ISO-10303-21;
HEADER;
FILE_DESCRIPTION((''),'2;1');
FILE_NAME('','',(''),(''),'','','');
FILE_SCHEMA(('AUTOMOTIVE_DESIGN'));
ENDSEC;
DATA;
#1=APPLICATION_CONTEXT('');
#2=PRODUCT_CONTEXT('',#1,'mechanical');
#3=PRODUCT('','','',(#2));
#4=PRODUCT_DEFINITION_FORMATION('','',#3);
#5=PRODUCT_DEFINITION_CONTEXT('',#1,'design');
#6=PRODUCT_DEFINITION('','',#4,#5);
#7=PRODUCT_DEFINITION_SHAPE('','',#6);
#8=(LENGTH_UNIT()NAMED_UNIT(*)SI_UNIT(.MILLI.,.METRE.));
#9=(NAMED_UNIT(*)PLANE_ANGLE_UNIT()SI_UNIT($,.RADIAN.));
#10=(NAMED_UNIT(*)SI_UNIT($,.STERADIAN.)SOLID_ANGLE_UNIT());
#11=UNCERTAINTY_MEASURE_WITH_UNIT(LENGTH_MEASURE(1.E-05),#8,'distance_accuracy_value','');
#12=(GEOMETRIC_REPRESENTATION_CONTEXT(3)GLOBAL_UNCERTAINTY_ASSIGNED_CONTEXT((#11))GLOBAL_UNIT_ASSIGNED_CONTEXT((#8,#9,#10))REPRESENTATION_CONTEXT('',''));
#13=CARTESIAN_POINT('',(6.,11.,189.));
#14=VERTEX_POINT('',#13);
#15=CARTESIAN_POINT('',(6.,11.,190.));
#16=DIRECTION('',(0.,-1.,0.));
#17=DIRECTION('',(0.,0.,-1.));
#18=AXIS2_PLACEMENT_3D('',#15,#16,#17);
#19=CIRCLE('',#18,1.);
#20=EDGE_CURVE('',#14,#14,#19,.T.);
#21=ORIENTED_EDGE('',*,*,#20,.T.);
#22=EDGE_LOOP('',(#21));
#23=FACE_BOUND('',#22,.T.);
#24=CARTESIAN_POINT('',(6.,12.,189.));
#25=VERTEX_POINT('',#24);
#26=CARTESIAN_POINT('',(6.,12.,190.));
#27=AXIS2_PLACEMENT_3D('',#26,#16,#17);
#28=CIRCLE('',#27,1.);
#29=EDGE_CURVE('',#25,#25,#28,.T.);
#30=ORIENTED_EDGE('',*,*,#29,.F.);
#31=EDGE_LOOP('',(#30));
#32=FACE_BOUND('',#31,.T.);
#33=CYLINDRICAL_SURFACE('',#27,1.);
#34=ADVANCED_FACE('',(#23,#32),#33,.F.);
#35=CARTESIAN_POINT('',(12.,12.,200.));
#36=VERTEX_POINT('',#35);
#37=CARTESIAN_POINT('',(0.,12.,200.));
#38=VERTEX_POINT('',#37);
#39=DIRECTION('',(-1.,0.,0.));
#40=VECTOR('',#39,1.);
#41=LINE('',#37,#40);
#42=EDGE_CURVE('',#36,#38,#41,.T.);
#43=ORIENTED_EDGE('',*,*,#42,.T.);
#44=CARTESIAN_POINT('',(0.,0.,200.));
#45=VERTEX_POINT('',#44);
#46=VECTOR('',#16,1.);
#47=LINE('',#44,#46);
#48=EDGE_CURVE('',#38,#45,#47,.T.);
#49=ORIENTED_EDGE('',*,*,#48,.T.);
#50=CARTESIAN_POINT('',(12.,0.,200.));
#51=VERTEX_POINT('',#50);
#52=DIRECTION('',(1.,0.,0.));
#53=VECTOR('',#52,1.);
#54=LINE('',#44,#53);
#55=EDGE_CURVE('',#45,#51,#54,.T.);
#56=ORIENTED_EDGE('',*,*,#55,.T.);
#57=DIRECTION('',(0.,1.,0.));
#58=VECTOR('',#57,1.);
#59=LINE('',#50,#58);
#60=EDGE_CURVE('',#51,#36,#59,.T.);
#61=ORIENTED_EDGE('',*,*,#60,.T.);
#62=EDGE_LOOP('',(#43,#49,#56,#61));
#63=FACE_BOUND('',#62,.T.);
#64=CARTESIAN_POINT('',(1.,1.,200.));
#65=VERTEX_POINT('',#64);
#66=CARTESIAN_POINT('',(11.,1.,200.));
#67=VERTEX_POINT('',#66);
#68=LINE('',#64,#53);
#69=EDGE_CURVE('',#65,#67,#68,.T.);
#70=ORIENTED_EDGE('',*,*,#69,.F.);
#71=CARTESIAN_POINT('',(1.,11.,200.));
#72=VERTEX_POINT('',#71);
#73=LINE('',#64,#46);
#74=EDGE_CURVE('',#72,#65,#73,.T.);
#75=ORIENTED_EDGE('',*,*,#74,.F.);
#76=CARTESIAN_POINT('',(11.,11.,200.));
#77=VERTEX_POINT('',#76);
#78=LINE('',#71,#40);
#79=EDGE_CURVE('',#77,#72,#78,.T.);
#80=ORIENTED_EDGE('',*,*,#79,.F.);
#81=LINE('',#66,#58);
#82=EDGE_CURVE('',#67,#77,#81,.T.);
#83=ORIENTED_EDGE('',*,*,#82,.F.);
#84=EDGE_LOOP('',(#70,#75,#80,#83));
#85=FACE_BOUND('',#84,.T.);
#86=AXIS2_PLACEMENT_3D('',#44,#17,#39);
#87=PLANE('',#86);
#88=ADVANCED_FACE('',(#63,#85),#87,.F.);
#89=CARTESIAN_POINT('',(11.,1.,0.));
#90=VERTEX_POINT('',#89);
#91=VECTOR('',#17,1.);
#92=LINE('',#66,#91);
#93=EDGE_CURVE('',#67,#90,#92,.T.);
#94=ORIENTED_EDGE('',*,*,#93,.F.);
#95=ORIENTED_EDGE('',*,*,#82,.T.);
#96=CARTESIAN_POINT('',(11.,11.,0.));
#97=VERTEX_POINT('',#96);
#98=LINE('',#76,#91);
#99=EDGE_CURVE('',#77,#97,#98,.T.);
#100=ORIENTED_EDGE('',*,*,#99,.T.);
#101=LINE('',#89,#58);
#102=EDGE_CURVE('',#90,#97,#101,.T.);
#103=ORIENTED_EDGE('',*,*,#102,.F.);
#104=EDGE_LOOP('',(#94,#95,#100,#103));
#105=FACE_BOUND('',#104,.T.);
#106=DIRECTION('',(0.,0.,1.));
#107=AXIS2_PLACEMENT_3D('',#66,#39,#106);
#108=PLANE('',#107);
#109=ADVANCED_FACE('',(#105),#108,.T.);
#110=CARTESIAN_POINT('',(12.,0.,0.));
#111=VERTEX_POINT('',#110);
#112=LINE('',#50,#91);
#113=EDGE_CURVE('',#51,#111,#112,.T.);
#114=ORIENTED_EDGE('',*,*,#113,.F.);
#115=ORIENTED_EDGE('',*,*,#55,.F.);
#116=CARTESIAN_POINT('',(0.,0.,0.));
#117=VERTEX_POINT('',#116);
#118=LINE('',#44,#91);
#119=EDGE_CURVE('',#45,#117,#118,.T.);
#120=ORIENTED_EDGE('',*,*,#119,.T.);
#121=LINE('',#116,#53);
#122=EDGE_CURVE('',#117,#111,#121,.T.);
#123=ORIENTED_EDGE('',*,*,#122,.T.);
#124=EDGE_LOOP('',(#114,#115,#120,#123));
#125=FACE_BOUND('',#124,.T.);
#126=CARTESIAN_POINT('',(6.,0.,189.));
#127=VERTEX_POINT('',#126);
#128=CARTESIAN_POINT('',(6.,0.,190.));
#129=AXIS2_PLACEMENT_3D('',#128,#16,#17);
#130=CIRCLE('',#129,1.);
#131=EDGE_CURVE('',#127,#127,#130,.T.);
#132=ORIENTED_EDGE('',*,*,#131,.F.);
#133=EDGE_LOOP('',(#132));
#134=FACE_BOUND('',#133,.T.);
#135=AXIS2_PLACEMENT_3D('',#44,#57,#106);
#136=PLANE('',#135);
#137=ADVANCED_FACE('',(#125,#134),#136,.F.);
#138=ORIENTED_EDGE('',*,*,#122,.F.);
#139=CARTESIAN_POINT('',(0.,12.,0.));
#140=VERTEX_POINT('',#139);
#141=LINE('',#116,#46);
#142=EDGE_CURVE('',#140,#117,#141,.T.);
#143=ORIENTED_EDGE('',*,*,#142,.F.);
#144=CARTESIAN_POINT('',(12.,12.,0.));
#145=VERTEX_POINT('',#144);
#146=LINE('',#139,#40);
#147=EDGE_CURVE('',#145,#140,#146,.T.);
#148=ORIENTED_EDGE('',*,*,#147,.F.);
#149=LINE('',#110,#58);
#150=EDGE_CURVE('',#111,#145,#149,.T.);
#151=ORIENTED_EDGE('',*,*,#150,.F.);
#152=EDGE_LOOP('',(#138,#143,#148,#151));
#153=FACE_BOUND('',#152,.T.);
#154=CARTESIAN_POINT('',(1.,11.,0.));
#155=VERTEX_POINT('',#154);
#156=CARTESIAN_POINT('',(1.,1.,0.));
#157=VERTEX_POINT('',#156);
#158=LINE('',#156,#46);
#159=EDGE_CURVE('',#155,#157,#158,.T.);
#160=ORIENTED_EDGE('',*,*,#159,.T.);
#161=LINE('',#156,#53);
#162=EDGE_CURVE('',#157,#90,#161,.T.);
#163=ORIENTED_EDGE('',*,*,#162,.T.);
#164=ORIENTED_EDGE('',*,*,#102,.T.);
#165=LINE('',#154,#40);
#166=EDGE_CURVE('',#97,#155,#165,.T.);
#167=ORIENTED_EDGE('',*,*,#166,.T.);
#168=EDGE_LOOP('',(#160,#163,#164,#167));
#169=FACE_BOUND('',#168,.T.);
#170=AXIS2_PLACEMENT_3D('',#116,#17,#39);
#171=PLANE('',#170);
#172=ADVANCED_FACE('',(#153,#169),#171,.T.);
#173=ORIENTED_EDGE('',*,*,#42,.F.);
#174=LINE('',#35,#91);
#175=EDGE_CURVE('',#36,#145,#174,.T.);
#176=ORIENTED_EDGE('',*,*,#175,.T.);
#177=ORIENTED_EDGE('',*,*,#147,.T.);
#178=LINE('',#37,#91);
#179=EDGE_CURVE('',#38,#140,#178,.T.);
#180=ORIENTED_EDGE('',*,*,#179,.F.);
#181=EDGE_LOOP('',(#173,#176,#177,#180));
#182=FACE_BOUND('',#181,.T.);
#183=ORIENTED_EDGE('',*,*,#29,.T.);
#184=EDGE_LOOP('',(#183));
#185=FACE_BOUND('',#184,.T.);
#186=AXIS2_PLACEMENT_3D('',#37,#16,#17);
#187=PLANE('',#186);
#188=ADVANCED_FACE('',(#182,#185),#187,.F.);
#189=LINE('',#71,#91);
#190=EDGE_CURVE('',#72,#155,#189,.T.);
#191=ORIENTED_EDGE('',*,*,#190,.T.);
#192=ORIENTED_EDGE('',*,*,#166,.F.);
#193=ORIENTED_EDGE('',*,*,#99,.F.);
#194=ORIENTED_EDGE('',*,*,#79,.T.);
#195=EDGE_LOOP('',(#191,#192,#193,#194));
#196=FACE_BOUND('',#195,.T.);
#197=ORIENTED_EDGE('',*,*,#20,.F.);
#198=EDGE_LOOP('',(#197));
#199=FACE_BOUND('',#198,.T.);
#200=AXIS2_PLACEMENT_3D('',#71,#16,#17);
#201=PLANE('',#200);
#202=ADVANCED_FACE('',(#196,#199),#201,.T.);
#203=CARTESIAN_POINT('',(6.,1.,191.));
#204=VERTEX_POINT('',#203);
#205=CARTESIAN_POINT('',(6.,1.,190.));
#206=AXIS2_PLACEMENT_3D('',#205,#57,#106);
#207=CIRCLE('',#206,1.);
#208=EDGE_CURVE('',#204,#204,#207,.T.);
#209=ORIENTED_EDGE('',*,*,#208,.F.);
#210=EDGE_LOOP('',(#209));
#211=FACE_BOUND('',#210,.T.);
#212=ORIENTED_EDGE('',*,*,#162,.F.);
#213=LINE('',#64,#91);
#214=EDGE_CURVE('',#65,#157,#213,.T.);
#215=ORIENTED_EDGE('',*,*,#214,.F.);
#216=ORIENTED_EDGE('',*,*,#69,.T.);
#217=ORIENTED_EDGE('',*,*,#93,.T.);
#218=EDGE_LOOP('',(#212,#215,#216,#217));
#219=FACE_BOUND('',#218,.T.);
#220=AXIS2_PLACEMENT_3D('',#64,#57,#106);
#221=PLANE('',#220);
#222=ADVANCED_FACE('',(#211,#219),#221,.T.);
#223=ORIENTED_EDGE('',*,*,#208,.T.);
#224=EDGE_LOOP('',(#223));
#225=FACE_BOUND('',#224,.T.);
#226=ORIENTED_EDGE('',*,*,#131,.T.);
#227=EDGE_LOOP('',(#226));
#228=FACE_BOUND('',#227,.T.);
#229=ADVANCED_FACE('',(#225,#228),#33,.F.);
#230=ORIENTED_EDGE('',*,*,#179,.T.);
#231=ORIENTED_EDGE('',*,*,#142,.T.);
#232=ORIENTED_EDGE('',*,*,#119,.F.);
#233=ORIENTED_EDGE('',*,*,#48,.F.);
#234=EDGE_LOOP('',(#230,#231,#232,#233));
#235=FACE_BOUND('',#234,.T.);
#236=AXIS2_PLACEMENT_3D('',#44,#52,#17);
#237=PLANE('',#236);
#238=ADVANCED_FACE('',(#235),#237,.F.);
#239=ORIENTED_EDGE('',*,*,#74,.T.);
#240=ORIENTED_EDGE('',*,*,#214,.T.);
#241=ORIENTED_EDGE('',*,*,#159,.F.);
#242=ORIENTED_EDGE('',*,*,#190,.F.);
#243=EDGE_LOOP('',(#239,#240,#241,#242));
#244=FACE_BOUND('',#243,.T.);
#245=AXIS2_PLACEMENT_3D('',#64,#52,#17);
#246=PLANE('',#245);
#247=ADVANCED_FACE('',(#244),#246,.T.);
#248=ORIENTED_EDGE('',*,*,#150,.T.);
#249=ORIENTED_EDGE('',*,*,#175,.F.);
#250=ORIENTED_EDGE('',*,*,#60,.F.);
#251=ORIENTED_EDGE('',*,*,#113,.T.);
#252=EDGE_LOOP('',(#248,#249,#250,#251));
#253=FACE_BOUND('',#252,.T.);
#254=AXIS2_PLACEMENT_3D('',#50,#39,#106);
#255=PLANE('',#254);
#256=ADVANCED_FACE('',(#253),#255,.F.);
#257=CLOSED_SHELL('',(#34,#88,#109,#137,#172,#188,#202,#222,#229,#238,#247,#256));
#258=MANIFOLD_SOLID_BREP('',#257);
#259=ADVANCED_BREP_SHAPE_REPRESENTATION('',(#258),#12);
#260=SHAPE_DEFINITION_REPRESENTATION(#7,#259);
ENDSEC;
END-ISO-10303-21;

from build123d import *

# Parameters (mm, degrees)
SKETCH_1_W          = 12
SKETCH_1_H          = 12
SKETCH_1_W_2        = 10
SKETCH_1_H_2        = 10
EXTRUDE_1_DEPTH     = 200
SKETCH_2_R          = 1
CUT_EXTRUDE_1_DEPTH = 12


with BuildPart() as part:
    # 草图1 → 凸台-拉伸1 (new body)
    with BuildSketch(Plane.XY):
        with Locations((6, 6)):
            Rectangle(SKETCH_1_W, SKETCH_1_H)
        with Locations((6, 6)):
            Rectangle(SKETCH_1_W_2, SKETCH_1_H_2, mode=Mode.SUBTRACT)
    extrude(amount=EXTRUDE_1_DEPTH)

    # 草图2 → 切除-拉伸1 (cut)
    with BuildSketch(Plane.XZ):
        with Locations(Location((6, 190, 0), (0, 0, 270))):
            Circle(SKETCH_2_R)
    extrude(amount=-CUT_EXTRUDE_1_DEPTH, mode=Mode.SUBTRACT)


solid = part.part
